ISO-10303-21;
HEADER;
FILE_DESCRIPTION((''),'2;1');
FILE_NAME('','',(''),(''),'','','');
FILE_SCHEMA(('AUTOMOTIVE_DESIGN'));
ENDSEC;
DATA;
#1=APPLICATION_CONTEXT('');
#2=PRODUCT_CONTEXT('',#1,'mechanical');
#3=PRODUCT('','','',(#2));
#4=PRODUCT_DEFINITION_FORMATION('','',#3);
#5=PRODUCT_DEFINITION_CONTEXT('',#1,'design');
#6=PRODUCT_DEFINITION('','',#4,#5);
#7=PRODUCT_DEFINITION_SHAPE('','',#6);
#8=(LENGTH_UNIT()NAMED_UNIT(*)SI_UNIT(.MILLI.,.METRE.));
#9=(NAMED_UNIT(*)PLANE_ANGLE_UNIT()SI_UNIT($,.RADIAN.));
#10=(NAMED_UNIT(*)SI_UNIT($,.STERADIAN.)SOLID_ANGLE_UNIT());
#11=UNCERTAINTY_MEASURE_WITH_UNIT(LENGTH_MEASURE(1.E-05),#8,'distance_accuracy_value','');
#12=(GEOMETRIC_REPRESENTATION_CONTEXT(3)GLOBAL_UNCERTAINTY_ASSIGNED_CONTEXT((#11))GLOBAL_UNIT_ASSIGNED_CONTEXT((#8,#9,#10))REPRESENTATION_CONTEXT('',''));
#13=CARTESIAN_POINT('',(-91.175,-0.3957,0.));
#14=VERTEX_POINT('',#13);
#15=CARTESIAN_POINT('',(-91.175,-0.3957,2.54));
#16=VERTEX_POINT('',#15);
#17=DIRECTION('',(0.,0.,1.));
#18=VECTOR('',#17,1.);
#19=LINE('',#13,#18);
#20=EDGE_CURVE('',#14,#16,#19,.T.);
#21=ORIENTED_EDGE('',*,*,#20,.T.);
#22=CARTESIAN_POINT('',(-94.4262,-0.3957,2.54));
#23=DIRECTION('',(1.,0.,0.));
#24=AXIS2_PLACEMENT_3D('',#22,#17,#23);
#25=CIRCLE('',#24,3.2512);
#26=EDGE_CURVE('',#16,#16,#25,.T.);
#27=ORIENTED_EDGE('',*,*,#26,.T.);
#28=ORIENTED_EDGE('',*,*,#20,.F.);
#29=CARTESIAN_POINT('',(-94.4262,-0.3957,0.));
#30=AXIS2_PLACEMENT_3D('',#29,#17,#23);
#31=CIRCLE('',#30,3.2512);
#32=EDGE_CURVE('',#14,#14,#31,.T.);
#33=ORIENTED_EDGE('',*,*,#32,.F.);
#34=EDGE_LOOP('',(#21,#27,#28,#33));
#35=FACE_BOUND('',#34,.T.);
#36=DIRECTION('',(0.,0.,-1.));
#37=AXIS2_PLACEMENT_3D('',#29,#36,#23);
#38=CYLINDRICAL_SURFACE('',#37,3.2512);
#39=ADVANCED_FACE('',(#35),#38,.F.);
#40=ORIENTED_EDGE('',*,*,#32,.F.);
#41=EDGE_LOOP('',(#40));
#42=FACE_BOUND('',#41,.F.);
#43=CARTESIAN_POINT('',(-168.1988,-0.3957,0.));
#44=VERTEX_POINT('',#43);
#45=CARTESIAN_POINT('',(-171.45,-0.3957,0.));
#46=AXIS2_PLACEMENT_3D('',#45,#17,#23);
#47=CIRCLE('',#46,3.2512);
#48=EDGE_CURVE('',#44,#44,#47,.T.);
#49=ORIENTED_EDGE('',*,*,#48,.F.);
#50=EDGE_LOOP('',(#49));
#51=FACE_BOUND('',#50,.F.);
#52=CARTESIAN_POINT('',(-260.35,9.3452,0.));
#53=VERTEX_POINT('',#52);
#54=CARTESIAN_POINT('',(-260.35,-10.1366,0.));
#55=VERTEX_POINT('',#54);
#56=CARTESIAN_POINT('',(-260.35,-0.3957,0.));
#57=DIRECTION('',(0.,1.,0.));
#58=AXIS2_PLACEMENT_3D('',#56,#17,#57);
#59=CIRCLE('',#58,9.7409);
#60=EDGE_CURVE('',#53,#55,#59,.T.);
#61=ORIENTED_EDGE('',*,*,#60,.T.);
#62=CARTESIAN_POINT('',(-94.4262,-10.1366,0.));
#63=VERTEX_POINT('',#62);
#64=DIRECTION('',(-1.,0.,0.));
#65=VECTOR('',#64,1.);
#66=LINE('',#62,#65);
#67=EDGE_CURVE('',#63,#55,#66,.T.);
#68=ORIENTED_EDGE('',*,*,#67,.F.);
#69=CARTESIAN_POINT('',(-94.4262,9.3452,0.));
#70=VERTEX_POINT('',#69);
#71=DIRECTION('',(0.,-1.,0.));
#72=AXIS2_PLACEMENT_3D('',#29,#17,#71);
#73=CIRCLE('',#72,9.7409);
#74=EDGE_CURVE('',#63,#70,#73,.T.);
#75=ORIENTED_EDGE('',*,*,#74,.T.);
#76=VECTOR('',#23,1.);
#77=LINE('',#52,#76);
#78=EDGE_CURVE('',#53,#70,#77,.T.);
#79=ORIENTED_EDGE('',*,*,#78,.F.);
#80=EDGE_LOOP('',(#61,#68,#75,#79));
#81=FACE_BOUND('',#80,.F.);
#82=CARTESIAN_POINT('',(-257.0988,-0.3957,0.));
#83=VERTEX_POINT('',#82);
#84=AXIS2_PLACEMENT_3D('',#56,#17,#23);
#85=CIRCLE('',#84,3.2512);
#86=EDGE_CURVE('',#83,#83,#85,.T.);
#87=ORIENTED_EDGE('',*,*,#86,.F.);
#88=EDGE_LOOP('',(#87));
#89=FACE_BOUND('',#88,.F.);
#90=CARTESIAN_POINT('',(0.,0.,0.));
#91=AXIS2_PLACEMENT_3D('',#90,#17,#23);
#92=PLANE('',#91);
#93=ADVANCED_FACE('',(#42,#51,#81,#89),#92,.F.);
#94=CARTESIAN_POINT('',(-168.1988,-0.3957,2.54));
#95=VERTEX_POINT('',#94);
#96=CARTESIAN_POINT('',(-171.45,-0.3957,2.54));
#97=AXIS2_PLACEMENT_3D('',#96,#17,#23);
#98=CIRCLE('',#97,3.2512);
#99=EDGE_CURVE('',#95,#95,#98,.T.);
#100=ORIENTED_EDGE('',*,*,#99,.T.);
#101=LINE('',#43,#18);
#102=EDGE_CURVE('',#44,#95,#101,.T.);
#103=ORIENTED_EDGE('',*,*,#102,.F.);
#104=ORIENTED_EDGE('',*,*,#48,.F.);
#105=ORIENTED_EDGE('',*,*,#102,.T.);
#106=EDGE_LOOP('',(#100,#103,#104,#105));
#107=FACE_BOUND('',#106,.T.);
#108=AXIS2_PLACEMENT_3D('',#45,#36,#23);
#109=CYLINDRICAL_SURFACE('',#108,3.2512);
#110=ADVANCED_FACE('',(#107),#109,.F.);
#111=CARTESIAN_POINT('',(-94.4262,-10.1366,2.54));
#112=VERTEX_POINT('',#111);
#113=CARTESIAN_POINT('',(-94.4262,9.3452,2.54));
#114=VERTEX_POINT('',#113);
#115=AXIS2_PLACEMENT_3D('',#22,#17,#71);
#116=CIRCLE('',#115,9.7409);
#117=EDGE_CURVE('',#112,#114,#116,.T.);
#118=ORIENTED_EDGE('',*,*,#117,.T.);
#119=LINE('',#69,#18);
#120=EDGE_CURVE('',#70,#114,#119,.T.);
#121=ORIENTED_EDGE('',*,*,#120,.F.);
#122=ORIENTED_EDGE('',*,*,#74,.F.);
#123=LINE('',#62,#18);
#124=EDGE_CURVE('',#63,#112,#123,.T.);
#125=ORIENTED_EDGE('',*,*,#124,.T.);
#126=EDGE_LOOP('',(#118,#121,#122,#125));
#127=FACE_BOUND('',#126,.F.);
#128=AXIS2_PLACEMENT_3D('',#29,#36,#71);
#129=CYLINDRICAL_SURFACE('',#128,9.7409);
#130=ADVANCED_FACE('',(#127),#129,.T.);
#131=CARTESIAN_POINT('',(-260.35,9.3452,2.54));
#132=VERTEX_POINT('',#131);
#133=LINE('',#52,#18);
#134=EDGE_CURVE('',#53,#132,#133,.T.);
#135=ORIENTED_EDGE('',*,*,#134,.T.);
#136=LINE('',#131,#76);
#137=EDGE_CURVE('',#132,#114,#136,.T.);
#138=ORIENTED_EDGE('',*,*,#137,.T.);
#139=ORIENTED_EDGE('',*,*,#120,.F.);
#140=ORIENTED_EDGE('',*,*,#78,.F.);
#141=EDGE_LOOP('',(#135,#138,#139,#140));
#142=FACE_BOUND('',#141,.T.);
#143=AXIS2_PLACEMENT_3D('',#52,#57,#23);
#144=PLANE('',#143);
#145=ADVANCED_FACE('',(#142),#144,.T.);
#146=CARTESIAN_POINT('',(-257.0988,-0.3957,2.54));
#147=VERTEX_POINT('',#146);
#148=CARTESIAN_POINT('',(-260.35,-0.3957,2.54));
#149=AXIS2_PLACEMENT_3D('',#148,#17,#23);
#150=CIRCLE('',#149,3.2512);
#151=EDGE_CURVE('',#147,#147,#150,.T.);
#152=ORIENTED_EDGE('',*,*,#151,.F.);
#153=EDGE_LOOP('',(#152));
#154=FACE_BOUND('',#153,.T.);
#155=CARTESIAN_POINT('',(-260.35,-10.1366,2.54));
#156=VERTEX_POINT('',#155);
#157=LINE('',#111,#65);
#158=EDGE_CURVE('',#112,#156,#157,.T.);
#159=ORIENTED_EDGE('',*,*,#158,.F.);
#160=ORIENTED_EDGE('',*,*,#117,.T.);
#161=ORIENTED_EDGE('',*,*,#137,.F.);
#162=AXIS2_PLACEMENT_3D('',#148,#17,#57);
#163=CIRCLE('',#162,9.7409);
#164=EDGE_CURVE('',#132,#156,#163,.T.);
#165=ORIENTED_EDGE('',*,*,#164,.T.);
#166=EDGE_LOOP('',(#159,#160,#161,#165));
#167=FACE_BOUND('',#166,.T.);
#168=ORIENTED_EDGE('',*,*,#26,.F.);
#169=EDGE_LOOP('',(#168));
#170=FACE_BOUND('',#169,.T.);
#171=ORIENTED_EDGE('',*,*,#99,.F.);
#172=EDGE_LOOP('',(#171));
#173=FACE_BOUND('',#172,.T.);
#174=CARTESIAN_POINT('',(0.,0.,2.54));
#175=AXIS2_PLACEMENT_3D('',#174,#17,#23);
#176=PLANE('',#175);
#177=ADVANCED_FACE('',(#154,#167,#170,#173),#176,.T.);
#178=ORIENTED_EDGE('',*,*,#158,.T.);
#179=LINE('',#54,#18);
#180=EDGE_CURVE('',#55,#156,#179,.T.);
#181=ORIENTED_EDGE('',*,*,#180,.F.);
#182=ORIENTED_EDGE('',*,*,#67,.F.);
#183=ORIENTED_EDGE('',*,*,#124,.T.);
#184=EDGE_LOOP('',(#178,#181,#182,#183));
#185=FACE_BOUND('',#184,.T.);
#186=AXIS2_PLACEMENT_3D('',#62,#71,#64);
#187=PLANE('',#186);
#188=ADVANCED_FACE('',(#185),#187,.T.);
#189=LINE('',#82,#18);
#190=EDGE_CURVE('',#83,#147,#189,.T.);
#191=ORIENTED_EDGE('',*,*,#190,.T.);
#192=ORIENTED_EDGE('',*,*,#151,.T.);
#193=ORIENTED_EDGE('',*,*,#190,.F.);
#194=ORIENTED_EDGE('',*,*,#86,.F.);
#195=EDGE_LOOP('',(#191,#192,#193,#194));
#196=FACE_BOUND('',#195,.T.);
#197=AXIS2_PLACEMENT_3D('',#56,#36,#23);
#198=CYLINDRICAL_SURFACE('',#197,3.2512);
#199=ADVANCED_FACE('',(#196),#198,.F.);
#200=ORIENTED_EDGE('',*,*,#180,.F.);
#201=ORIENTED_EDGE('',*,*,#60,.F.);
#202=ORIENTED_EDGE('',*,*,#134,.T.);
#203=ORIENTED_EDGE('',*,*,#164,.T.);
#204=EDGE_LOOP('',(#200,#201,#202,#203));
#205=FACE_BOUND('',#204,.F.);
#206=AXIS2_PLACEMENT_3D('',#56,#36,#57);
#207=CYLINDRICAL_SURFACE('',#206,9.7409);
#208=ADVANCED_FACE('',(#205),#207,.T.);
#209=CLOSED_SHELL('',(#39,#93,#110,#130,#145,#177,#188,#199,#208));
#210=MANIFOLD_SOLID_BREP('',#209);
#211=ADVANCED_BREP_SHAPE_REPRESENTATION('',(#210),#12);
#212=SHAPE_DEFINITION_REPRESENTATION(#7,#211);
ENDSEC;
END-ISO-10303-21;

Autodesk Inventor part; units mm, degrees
ref_plane "YZ Plane" through (0, 0, 0) normal (1, 0, 0) x (0, 1, 0)
ref_plane "XZ Plane" through (0, 0, 0) normal (0, 1, 0) x (-1, 0, 0)
ref_plane "XY Plane" through (0, 0, 0) normal (0, 0, 1) x (1, 0, 0)
sketch "Sketch1" plane through (0, 0, 0) normal (0, 0, 1) x (1, 0, 0)
  arc A0 (-94.4262, -10.1366) -> (-94.4262, 9.3452) centre (-94.4262, -0.3957) ccw
  arc A1 (-260.35, 9.3452) -> (-260.35, -10.1366) centre (-260.35, -0.3957) ccw
  line L0 (-260.35, 9.3452) -> (-94.4262, 9.3452)
  line L1 (-94.4262, -10.1366) -> (-260.35, -10.1366)
  circle A2 centre (-260.35, -0.3957) radius 3.2512
  circle A3 centre (-94.4262, -0.3957) radius 3.2512
  circle A4 centre (-171.45, -0.3957) radius 3.2512
  line L2 (-260.35, -0.3957) -> (-260.35, 9.3452) construction
  dimension "d0" = 19.4818
  dimension "d1" = 19.4818
  dimension "d3" = 6.5024
  dimension "d4" = 6.5024
  dimension "d12" = 6.5024
  dimension "d13" = 9.7409
  dimension "d14" = 88.9
  dimension "d19" = 90
extrude "Extrusion1" add sketch "Sketch1" along normal blind 2.54
equation "\"d0\" = d1"
properties part number "ArmConnector1"
